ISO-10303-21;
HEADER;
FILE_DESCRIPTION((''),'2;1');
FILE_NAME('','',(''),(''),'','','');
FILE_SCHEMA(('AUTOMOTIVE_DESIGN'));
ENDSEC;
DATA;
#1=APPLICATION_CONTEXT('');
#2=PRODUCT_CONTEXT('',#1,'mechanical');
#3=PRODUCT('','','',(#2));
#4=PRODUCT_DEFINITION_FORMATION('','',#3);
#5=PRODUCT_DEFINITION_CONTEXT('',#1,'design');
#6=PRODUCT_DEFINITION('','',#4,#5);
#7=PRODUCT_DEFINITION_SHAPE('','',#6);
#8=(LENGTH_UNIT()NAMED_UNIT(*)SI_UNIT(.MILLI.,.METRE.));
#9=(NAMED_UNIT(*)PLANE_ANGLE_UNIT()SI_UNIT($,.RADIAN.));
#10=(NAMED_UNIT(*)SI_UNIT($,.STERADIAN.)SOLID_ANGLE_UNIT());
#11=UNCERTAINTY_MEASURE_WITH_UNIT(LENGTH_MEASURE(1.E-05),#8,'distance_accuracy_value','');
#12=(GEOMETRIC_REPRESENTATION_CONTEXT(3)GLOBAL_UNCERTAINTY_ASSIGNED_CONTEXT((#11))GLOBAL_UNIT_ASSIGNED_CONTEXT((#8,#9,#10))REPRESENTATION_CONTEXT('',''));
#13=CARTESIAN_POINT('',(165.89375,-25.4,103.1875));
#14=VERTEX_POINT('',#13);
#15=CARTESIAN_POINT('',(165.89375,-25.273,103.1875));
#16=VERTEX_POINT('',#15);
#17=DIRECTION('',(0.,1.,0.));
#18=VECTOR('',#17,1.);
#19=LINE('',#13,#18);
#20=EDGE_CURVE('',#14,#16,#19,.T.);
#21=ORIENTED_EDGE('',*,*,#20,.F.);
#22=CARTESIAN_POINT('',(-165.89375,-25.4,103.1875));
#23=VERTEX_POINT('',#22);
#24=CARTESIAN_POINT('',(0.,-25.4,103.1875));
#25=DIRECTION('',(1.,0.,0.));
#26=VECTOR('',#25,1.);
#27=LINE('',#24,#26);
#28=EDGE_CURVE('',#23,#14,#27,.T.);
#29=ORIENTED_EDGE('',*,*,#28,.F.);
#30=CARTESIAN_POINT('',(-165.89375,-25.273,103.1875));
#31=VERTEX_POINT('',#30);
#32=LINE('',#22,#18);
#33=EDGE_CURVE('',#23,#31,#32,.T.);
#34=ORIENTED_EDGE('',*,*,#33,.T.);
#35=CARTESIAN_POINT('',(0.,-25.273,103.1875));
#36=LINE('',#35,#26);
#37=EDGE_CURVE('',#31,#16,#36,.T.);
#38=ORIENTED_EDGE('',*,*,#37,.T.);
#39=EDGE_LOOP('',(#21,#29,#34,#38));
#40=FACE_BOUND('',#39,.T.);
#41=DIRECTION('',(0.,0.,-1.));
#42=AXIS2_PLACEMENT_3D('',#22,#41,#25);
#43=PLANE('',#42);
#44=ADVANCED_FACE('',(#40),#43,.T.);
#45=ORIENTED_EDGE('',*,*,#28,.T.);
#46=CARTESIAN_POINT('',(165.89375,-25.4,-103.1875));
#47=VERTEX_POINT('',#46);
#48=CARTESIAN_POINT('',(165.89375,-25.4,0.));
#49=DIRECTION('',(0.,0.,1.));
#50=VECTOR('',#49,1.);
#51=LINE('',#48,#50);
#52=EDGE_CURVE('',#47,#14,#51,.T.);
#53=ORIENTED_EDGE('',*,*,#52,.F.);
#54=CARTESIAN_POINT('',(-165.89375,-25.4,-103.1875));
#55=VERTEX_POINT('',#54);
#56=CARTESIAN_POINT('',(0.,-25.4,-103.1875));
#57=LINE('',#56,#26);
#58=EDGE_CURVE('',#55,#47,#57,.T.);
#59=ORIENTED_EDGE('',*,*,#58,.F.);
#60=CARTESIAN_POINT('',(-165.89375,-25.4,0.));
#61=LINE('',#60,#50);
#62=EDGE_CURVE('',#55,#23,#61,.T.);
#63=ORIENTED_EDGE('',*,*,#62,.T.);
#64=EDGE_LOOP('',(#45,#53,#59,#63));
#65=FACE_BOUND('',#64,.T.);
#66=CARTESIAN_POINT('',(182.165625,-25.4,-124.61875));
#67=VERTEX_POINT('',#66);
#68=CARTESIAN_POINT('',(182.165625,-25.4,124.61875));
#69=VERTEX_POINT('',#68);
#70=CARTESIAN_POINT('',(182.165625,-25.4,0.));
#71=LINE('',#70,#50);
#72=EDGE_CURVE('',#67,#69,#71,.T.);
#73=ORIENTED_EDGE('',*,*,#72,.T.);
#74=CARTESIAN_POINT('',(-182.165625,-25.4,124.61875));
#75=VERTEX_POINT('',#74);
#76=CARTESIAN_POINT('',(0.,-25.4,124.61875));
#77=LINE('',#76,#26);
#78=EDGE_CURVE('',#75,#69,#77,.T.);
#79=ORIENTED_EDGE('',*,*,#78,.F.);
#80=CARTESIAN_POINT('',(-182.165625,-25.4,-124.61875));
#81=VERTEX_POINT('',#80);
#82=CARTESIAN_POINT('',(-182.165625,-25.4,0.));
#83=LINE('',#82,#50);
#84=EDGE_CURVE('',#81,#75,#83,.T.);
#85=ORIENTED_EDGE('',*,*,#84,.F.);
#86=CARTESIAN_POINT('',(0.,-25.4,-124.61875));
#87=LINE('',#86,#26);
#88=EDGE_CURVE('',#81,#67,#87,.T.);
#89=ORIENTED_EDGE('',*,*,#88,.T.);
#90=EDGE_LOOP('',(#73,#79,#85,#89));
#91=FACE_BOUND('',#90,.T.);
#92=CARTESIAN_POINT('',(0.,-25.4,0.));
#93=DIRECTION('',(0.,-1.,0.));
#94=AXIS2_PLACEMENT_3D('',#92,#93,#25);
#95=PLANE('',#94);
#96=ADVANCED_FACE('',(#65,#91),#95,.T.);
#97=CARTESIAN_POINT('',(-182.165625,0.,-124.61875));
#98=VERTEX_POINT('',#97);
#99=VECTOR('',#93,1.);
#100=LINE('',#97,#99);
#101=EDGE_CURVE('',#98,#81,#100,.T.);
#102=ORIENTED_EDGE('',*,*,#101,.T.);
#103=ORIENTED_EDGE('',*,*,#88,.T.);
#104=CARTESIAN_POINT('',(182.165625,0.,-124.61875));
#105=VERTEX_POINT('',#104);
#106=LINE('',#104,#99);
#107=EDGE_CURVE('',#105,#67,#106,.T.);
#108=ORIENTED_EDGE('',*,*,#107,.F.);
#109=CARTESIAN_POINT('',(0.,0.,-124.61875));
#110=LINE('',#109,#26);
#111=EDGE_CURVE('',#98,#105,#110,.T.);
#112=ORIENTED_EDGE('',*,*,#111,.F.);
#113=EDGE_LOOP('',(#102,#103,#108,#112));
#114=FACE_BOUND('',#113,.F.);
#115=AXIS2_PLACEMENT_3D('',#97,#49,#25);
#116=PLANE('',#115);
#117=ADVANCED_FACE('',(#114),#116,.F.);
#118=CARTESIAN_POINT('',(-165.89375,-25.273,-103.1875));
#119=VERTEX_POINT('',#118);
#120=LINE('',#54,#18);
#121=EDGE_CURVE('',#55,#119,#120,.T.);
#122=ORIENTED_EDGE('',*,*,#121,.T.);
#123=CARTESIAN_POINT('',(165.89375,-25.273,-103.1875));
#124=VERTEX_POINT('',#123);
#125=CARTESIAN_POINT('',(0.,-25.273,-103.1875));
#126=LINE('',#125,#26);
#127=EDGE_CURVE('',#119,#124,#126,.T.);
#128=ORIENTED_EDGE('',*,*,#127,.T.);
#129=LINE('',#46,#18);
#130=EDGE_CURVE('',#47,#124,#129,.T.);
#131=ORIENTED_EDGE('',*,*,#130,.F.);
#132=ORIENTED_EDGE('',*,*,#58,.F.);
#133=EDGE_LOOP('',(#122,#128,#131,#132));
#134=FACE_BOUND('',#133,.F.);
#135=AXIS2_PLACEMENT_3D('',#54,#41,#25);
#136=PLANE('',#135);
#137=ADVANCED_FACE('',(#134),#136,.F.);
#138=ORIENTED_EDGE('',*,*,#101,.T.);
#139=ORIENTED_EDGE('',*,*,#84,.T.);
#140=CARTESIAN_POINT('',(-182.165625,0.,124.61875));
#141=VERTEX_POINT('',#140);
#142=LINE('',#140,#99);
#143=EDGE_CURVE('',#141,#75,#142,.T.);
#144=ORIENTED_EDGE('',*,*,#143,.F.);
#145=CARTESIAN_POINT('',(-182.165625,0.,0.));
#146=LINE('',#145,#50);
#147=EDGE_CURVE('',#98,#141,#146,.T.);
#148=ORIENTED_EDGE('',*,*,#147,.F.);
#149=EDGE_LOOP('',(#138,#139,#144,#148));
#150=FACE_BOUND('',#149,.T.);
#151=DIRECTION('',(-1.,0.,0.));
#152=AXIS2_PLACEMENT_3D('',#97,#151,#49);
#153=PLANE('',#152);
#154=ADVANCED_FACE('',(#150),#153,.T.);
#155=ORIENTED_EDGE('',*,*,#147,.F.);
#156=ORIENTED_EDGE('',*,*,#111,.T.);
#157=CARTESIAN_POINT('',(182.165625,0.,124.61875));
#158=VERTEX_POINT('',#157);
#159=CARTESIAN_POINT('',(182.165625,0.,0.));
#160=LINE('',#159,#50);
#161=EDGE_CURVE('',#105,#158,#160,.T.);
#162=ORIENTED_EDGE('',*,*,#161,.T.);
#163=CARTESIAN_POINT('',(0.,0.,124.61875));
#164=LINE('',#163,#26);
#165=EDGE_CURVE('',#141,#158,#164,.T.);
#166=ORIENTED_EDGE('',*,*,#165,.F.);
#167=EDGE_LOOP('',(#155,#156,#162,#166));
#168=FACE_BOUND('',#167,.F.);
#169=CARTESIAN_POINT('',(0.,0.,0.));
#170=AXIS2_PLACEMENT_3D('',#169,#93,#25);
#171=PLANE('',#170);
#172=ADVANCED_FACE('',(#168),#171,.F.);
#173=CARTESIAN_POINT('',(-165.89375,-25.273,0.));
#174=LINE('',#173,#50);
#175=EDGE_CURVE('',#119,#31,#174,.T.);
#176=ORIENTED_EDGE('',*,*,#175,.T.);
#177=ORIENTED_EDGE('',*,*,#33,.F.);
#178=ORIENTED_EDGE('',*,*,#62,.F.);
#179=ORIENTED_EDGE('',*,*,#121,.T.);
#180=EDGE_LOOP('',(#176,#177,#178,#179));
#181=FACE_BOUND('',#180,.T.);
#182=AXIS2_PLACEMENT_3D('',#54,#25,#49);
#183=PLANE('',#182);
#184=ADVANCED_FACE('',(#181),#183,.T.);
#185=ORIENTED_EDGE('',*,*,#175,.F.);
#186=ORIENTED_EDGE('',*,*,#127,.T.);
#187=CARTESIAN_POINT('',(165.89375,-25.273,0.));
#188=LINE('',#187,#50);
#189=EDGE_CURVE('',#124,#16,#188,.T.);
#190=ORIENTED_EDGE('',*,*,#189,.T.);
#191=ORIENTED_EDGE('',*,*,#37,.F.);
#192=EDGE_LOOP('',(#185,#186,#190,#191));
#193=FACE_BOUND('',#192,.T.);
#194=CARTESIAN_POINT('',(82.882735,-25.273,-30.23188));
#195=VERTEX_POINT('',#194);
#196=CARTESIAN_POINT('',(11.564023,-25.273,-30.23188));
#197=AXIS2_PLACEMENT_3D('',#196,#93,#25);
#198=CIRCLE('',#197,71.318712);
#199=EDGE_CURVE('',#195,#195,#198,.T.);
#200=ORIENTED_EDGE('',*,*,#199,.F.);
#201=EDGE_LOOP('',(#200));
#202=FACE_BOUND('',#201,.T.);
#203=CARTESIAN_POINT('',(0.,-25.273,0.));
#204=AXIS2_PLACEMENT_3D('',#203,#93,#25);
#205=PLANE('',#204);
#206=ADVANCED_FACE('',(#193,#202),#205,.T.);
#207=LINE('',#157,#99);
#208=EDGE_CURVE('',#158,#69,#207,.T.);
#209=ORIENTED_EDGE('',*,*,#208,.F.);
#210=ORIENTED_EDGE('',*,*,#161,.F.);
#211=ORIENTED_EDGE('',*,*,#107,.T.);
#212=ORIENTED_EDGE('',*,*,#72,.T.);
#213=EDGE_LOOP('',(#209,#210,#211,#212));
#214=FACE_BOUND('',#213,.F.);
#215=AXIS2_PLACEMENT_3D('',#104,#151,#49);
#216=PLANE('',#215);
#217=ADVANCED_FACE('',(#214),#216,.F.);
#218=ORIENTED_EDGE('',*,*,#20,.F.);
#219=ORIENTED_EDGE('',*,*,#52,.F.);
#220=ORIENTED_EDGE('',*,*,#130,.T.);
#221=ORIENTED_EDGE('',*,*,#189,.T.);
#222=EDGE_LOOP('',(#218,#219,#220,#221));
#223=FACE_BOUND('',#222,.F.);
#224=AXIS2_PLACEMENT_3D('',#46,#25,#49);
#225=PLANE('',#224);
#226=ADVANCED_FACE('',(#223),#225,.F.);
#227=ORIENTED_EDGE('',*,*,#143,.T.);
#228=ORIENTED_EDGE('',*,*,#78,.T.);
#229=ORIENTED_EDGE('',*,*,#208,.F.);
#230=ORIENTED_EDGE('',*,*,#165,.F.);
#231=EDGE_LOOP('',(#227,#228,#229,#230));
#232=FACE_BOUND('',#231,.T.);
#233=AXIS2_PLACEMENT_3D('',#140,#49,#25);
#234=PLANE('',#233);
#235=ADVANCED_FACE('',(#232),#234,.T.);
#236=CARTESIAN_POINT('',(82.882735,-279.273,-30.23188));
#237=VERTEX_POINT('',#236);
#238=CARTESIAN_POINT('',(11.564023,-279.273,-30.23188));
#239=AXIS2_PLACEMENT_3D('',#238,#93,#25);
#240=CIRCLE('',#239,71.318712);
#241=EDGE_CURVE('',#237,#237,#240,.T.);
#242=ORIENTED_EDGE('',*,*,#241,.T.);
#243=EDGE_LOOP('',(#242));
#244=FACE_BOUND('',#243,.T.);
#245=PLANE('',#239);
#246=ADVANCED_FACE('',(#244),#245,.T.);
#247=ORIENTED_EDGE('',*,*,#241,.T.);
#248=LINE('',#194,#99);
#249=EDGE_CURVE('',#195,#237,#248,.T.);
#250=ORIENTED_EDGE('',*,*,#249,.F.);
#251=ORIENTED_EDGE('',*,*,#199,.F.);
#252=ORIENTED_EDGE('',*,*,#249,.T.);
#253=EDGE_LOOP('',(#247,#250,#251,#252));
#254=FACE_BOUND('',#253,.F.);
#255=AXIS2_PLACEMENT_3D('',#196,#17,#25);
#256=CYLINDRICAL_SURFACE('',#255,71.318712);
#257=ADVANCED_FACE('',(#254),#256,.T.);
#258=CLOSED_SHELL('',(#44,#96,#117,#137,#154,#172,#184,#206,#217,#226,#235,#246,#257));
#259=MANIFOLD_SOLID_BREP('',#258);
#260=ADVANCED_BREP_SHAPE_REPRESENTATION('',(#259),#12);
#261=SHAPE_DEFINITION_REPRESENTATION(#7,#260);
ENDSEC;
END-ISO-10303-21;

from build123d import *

# Parameters (mm, degrees)
F0_W     = 364.33125
F0_H     = 249.2375
F1_DEPTH = 25.4
F2_W     = 331.7875
F2_H     = 206.375
F3_DEPTH = 0.127
F4_R     = 71.318712
F5_DEPTH = 254


with BuildPart() as f1:
    # F0 (on Front) → F1 (new body)
    with BuildSketch(Plane.XZ):
        Rectangle(F0_W, F0_H)
    extrude(amount=F1_DEPTH)

    # F2 (on face) → F3 (cut)
    with BuildSketch(Plane.XZ.offset(25.4)):
        Rectangle(F2_W, F2_H)
    extrude(amount=-F3_DEPTH, mode=Mode.SUBTRACT)

    # F4 (on face) → F5 (join)
    with BuildSketch(Plane.XZ.offset(25.273)):
        with Locations((11.564023, -30.23188)):
            Circle(F4_R)
    extrude(amount=F5_DEPTH)


solid = f1.part
